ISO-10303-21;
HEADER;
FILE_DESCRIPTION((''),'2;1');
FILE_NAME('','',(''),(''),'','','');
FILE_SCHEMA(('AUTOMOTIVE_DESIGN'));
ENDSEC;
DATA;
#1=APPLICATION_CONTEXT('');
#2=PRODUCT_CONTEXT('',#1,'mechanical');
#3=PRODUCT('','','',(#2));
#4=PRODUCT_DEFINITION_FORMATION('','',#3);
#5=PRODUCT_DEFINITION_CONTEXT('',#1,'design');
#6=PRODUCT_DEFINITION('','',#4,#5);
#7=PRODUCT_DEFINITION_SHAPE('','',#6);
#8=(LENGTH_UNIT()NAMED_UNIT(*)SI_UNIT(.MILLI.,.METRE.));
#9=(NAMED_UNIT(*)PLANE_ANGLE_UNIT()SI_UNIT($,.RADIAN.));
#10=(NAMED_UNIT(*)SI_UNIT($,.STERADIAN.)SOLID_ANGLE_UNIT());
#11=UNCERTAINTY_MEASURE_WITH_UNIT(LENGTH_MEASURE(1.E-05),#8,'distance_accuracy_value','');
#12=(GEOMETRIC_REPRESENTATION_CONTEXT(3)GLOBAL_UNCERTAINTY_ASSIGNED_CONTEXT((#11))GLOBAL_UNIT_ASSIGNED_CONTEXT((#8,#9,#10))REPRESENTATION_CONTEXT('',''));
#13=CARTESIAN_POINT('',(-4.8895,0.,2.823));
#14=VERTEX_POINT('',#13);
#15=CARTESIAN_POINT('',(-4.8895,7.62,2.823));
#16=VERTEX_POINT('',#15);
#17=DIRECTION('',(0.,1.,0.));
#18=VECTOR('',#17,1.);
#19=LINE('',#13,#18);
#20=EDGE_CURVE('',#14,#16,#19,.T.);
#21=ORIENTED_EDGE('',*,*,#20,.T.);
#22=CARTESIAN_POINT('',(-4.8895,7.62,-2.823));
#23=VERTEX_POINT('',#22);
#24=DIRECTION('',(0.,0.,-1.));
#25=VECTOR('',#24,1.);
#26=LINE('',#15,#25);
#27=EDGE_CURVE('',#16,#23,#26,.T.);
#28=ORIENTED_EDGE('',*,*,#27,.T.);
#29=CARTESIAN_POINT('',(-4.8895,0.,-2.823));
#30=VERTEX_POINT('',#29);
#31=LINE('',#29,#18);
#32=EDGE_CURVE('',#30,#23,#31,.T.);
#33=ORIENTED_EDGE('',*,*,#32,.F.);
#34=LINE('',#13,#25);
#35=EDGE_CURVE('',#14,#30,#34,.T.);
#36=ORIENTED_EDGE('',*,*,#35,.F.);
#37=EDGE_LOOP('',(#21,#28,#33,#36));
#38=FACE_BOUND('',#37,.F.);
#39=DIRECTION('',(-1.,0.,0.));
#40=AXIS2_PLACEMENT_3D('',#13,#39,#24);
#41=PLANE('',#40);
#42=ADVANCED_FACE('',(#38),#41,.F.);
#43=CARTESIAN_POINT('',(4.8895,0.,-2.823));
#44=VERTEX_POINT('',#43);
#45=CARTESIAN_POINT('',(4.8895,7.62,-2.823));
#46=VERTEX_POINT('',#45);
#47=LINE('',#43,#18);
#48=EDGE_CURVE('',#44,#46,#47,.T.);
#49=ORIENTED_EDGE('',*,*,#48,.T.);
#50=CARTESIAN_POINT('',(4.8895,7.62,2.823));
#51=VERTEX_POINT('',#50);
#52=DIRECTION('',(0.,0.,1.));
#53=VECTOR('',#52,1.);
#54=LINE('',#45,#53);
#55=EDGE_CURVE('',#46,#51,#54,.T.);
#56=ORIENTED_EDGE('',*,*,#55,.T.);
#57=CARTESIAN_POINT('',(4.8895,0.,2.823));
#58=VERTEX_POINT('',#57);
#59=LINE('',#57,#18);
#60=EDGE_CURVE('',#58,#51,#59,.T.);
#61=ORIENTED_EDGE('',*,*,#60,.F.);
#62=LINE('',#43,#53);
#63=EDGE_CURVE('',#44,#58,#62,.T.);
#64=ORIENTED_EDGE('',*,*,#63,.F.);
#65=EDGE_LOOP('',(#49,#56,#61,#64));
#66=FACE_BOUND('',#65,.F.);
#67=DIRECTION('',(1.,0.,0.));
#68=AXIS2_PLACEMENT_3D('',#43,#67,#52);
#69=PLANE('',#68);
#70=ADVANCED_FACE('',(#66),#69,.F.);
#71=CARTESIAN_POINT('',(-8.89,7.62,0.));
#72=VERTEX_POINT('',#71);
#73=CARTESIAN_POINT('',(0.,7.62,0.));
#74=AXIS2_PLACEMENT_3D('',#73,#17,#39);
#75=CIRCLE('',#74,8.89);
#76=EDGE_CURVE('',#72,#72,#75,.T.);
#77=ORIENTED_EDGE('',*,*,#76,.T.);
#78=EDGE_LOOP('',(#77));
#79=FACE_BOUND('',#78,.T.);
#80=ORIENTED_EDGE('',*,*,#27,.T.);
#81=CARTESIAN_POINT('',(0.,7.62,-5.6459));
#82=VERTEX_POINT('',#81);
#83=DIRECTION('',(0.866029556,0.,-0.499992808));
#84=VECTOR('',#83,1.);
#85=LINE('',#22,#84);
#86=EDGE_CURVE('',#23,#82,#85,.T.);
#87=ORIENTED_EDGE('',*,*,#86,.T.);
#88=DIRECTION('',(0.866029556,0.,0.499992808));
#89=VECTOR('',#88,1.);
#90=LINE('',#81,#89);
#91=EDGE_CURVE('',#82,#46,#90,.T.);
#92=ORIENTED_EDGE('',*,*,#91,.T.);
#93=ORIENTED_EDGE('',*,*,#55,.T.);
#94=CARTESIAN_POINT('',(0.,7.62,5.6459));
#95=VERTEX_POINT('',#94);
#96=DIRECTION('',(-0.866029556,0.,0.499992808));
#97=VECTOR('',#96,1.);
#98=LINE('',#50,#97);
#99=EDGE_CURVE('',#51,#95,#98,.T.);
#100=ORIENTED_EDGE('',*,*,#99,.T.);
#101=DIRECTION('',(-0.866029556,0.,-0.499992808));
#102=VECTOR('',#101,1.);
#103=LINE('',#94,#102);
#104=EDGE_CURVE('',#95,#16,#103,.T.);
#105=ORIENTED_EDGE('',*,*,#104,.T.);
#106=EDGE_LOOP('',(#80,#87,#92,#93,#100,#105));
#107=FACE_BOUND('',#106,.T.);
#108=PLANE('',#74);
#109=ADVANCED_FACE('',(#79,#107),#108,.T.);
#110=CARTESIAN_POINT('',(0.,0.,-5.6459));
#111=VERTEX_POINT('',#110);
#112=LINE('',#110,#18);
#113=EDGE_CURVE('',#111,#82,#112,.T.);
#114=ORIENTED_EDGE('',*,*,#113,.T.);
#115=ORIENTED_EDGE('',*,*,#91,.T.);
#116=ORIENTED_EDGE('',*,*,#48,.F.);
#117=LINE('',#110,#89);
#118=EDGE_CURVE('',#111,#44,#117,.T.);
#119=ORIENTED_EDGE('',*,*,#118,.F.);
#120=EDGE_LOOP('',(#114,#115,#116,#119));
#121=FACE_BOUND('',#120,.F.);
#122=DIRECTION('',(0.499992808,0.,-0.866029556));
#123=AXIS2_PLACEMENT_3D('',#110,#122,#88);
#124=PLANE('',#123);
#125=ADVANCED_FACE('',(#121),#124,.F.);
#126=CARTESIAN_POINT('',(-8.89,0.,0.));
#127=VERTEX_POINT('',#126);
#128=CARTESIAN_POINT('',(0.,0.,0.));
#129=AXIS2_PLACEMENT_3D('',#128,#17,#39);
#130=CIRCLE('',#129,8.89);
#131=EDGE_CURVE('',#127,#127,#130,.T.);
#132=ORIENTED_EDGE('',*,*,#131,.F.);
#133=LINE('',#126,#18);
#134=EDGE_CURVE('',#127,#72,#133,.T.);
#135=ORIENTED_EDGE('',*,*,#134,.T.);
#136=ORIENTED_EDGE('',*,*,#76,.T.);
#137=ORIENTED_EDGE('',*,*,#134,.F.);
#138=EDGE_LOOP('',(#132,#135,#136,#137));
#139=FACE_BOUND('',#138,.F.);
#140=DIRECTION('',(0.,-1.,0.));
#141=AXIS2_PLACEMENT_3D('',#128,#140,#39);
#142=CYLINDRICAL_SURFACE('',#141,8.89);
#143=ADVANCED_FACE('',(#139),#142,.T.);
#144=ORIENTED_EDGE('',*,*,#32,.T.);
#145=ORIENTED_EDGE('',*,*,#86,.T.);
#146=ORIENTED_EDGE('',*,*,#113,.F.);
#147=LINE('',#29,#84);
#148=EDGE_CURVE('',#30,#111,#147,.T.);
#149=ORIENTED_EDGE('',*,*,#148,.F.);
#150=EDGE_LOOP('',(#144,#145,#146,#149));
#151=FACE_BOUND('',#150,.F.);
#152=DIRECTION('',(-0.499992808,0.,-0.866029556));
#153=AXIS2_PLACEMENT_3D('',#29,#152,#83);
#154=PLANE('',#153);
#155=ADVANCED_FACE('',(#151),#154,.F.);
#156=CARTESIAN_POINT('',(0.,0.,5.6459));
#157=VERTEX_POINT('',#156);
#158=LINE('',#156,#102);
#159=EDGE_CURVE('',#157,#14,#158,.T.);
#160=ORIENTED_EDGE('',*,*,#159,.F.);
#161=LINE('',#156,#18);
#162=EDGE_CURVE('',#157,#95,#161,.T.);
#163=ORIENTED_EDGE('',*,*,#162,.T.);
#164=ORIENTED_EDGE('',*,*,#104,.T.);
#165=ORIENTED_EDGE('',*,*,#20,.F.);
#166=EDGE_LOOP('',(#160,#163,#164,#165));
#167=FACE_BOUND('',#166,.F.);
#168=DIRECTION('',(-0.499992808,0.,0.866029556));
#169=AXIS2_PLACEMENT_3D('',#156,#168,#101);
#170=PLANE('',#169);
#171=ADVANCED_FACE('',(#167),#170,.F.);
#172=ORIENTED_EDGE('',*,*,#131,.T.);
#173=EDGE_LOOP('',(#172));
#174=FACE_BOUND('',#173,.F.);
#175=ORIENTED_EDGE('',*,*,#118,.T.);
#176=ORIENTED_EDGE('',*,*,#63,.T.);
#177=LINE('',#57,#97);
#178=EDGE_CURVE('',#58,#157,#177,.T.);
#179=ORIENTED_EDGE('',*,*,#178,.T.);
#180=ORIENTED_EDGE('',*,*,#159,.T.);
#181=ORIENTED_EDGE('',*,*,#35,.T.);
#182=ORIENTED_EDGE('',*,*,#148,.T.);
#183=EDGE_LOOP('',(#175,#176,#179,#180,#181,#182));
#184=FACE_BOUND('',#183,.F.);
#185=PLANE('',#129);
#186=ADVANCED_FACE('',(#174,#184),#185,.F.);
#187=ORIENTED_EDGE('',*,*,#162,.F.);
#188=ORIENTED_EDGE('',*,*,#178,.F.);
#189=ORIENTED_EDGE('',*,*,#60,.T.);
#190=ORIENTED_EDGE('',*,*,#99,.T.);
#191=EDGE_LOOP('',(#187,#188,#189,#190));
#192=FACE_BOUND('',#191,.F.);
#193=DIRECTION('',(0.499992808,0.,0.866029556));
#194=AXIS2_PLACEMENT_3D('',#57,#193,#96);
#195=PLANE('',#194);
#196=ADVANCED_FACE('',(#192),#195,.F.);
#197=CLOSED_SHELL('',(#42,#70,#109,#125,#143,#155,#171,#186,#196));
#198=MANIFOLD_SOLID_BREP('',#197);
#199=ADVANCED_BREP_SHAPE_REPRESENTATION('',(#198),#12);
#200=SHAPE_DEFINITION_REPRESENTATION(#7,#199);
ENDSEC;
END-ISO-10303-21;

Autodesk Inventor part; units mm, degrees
ref_plane "YZ Plane" through (0, 0, 0) normal (1, 0, 0) x (0, 1, 0)
ref_plane "XZ Plane" through (0, 0, 0) normal (0, 1, 0) x (-1, 0, 0)
ref_plane "XY Plane" through (0, 0, 0) normal (0, 0, 1) x (1, 0, 0)
sketch "Sketch1" plane through (0, 0, 0) normal (0, 1, 0) x (-1, 0, 0)
  line L0 (4.8895, -2.823) -> (0, -5.6459)
  line L1 (0, -5.6459) -> (-4.8895, -2.823)
  line L2 (-4.8895, -2.823) -> (-4.8895, 2.823)
  line L3 (-4.8895, 2.823) -> (0, 5.6459)
  line L4 (0, 5.6459) -> (4.8895, 2.823)
  line L5 (4.8895, 2.823) -> (4.8895, -2.823)
  circle A0 centre (0, 0) radius 8.89
  dimension "d0" = 9.779
  dimension "d1" = 17.78
extrude "Extrusion1" add sketch "Sketch1" along normal blind 7.62
properties part number "hexSpacer 3_8 x 0_300"
